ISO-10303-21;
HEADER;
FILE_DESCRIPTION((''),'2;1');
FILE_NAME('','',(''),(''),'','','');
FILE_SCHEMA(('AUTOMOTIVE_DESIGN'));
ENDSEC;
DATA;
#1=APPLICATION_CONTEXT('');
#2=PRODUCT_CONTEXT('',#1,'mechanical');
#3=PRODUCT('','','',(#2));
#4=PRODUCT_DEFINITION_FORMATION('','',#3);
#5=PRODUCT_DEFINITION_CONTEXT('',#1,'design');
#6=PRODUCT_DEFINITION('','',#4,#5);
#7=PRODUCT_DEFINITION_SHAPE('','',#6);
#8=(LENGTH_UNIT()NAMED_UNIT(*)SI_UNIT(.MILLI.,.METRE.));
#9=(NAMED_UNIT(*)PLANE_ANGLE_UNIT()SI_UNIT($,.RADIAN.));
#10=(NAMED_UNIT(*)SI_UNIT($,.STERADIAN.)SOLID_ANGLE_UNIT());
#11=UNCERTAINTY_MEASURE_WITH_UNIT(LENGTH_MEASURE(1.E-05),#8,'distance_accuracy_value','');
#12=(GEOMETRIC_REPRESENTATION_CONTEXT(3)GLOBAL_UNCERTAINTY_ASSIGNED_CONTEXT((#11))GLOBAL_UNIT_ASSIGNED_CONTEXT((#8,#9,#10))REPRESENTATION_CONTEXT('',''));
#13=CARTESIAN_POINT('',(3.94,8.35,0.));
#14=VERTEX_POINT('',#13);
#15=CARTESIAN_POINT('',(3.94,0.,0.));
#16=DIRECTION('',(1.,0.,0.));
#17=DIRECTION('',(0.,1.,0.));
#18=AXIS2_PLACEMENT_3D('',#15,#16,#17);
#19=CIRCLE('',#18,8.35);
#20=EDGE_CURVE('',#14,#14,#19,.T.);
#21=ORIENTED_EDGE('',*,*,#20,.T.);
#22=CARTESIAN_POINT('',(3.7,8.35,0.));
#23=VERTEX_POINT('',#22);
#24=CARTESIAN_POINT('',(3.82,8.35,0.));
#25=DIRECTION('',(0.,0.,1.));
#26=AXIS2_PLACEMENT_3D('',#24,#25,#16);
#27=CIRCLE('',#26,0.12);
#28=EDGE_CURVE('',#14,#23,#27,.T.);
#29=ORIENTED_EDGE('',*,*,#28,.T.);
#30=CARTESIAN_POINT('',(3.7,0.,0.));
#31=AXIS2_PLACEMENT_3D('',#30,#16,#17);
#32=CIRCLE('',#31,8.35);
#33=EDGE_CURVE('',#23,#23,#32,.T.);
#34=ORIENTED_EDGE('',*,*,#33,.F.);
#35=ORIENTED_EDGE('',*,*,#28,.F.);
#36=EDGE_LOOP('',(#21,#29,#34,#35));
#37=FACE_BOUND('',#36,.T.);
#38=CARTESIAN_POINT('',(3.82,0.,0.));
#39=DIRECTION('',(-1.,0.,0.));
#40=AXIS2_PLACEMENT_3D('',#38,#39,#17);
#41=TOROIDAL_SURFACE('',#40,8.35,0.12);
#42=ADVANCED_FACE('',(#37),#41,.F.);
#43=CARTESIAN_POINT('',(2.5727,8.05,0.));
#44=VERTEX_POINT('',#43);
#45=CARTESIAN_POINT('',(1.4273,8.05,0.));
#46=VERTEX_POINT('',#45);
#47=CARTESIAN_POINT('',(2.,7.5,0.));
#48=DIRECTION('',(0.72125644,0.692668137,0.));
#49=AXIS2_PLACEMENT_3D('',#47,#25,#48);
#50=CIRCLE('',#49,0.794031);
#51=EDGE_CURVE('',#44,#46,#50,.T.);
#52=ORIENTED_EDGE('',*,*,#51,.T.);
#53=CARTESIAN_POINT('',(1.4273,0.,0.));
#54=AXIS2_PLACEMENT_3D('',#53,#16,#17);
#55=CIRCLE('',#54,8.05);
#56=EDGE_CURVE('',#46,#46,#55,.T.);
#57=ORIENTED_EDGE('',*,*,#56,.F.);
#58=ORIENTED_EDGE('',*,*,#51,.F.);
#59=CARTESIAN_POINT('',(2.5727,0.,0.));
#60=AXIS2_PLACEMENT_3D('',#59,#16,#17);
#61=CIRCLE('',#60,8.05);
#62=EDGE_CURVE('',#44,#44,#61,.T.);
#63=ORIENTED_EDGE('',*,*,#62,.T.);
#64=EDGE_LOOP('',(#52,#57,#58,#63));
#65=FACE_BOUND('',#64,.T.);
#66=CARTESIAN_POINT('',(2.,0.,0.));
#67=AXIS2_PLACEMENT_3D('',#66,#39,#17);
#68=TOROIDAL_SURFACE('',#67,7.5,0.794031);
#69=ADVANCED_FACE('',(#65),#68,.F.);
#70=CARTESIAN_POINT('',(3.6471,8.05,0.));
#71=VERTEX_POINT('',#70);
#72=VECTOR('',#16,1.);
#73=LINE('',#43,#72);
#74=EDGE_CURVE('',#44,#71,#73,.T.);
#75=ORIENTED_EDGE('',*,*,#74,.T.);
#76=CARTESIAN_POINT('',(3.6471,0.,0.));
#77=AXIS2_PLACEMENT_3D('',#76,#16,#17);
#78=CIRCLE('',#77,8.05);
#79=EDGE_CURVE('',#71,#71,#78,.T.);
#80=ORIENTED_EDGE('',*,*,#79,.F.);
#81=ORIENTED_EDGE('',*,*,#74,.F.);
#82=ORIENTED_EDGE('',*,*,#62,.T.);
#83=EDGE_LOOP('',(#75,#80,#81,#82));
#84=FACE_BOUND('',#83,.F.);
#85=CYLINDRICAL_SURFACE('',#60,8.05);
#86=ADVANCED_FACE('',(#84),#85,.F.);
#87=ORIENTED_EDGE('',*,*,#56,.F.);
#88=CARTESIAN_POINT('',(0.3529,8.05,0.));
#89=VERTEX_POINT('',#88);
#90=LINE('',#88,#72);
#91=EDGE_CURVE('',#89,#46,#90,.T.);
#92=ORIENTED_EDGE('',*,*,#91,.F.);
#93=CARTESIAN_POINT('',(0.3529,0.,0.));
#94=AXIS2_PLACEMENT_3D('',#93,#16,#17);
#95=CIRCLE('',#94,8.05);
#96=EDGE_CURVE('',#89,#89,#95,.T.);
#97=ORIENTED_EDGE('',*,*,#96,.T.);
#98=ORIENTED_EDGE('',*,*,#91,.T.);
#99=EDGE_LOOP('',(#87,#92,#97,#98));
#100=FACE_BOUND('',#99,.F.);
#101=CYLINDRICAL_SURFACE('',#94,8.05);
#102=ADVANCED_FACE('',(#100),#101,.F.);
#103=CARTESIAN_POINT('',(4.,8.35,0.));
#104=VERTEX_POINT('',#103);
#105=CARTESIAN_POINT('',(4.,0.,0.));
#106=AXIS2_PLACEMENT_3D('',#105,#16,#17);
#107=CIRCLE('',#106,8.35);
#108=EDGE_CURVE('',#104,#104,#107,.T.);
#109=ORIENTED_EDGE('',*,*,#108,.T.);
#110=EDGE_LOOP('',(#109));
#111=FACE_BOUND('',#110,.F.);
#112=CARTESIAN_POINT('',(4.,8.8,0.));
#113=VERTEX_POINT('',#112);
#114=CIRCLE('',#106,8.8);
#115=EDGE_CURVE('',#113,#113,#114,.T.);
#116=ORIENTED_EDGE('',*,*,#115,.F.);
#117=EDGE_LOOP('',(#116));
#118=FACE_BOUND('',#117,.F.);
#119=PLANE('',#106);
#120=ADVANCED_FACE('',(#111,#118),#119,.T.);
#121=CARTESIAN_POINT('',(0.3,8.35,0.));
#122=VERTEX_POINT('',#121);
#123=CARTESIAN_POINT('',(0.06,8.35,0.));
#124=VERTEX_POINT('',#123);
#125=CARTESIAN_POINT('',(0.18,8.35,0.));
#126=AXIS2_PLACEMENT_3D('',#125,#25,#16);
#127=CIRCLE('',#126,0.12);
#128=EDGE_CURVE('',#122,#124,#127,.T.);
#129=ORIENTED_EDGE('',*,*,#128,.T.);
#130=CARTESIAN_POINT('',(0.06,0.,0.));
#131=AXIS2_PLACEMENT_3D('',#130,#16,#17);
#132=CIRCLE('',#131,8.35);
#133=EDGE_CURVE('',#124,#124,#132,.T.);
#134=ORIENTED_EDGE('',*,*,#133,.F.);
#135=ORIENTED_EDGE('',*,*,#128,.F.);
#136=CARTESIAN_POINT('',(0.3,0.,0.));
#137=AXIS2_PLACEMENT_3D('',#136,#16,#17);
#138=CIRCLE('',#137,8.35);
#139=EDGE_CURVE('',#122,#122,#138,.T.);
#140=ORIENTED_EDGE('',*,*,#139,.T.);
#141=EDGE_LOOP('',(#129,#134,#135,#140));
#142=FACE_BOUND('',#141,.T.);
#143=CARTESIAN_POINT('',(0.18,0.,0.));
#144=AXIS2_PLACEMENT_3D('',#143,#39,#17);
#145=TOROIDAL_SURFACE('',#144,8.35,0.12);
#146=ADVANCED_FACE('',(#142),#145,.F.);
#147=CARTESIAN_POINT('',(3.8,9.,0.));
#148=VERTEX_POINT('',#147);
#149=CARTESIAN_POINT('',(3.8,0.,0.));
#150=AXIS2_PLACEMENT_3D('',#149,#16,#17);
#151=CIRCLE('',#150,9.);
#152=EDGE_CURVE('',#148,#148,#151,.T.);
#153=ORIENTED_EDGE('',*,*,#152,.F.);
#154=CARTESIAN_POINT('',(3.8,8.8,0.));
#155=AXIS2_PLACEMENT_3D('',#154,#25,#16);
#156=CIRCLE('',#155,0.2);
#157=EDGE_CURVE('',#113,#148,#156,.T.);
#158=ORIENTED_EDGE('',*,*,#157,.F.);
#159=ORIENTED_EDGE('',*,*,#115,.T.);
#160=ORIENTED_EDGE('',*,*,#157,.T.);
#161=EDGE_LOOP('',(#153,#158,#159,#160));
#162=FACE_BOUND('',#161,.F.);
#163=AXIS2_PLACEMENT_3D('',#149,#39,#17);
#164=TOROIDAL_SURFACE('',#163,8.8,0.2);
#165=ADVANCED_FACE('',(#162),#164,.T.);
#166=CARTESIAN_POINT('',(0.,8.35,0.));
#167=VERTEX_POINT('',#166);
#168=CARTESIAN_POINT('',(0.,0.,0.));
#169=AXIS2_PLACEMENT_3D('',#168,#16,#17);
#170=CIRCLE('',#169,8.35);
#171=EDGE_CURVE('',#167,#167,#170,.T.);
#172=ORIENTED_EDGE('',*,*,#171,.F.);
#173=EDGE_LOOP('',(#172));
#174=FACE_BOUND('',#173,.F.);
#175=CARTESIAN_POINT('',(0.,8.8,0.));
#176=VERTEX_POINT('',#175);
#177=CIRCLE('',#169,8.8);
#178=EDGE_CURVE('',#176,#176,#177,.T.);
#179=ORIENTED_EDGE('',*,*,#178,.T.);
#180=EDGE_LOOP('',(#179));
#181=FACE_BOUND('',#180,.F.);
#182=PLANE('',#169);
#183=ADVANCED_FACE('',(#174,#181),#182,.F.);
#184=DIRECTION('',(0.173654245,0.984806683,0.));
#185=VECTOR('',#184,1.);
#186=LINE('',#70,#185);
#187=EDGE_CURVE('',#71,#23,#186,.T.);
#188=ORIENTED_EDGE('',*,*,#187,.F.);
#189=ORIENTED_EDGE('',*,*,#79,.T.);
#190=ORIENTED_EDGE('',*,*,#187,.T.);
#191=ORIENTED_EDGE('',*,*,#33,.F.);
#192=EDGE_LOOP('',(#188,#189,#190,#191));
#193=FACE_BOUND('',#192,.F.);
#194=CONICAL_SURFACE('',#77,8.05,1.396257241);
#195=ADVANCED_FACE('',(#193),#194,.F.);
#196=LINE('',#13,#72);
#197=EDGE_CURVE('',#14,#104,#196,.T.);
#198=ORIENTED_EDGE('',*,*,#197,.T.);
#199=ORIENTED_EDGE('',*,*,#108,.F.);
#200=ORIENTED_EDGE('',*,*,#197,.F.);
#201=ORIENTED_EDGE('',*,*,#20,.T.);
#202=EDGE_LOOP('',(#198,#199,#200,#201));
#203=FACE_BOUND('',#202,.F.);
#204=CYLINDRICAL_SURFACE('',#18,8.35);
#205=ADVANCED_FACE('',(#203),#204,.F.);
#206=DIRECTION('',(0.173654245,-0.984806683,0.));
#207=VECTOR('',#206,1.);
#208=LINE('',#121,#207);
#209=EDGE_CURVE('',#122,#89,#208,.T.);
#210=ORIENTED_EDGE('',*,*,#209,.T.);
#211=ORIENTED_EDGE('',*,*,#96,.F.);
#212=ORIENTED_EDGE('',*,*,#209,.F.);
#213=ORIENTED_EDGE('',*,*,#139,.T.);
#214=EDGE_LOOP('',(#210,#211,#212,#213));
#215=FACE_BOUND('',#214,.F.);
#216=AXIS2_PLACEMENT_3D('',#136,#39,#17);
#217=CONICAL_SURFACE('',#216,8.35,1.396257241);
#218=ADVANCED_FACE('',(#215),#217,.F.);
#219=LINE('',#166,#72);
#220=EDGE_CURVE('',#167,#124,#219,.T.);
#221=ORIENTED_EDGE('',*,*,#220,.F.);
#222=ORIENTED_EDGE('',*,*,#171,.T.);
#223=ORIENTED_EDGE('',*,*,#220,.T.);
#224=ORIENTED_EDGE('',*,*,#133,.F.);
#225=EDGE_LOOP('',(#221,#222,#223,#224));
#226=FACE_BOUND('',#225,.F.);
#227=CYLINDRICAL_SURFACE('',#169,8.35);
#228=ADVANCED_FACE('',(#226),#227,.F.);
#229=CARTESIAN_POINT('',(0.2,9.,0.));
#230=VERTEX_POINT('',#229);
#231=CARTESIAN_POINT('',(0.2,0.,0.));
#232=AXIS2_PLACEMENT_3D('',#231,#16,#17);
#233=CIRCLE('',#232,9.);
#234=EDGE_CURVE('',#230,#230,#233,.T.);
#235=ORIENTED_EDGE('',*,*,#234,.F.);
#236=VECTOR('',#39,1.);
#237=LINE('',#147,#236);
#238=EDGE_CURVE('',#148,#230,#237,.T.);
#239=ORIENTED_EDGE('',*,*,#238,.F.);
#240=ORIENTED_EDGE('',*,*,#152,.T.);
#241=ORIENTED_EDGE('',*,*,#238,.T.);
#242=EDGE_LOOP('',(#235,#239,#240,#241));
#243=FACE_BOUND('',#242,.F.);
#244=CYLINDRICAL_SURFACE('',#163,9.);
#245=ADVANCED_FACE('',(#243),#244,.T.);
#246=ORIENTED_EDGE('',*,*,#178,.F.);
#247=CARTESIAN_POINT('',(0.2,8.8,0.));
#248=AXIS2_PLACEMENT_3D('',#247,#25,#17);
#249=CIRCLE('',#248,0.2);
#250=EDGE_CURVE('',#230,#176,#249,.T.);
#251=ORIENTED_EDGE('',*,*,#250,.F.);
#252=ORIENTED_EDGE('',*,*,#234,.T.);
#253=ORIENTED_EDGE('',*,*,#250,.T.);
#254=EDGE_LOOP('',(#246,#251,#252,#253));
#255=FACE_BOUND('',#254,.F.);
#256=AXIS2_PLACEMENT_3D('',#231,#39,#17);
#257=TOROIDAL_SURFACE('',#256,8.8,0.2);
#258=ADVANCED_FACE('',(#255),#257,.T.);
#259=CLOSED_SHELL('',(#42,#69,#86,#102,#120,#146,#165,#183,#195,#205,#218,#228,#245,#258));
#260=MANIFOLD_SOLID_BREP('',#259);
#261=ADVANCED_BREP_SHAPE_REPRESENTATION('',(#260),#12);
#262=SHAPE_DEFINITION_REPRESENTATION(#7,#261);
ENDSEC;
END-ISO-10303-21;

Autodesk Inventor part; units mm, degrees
ref_plane "YZ Plane" through (0, 0, 0) normal (1, 0, 0) x (0, 1, 0)
ref_plane "XZ Plane" through (0, 0, 0) normal (0, 1, 0) x (-1, 0, 0)
ref_plane "XY Plane" through (0, 0, 0) normal (0, 0, 1) x (1, 0, 0)
sketch "Sketch_2" plane through (0, 0, 0) normal (0, 0, 1) x (1, 0, 0)
  line L0 (50, 0) -> (-50, 0)
  line L1 (0, 8.35) -> (0.06, 8.35)
  arc A0 (0.3, 8.35) -> (0.06, 8.35) centre (0.18, 8.35) ccw
  line L2 (0.3, 8.35) -> (0.3529, 8.05)
  line L3 (0.3529, 8.05) -> (1.4273, 8.05)
  arc A1 (2.5727, 8.05) -> (1.4273, 8.05) centre (2, 7.5) ccw
  line L4 (2.5727, 8.05) -> (3.6471, 8.05)
  line L5 (3.6471, 8.05) -> (3.7, 8.35)
  arc A2 (3.94, 8.35) -> (3.7, 8.35) centre (3.82, 8.35) ccw
  line L6 (3.94, 8.35) -> (4, 8.35)
  line L7 (4, 8.35) -> (4, 8.8)
  arc A3 (4, 8.8) -> (3.8, 9) centre (3.8, 8.8) ccw
  line L8 (3.8, 9) -> (0.2, 9)
  arc A4 (0.2, 9) -> (0, 8.8) centre (0.2, 8.8) ccw
  line L9 (0, 8.8) -> (0, 8.35)
revolve "Revolution1" add sketch "Sketch_2" angle 360 about axis through (50, 0, 0) along (1, 0, 0)
properties part number "W 61701_PART2"
